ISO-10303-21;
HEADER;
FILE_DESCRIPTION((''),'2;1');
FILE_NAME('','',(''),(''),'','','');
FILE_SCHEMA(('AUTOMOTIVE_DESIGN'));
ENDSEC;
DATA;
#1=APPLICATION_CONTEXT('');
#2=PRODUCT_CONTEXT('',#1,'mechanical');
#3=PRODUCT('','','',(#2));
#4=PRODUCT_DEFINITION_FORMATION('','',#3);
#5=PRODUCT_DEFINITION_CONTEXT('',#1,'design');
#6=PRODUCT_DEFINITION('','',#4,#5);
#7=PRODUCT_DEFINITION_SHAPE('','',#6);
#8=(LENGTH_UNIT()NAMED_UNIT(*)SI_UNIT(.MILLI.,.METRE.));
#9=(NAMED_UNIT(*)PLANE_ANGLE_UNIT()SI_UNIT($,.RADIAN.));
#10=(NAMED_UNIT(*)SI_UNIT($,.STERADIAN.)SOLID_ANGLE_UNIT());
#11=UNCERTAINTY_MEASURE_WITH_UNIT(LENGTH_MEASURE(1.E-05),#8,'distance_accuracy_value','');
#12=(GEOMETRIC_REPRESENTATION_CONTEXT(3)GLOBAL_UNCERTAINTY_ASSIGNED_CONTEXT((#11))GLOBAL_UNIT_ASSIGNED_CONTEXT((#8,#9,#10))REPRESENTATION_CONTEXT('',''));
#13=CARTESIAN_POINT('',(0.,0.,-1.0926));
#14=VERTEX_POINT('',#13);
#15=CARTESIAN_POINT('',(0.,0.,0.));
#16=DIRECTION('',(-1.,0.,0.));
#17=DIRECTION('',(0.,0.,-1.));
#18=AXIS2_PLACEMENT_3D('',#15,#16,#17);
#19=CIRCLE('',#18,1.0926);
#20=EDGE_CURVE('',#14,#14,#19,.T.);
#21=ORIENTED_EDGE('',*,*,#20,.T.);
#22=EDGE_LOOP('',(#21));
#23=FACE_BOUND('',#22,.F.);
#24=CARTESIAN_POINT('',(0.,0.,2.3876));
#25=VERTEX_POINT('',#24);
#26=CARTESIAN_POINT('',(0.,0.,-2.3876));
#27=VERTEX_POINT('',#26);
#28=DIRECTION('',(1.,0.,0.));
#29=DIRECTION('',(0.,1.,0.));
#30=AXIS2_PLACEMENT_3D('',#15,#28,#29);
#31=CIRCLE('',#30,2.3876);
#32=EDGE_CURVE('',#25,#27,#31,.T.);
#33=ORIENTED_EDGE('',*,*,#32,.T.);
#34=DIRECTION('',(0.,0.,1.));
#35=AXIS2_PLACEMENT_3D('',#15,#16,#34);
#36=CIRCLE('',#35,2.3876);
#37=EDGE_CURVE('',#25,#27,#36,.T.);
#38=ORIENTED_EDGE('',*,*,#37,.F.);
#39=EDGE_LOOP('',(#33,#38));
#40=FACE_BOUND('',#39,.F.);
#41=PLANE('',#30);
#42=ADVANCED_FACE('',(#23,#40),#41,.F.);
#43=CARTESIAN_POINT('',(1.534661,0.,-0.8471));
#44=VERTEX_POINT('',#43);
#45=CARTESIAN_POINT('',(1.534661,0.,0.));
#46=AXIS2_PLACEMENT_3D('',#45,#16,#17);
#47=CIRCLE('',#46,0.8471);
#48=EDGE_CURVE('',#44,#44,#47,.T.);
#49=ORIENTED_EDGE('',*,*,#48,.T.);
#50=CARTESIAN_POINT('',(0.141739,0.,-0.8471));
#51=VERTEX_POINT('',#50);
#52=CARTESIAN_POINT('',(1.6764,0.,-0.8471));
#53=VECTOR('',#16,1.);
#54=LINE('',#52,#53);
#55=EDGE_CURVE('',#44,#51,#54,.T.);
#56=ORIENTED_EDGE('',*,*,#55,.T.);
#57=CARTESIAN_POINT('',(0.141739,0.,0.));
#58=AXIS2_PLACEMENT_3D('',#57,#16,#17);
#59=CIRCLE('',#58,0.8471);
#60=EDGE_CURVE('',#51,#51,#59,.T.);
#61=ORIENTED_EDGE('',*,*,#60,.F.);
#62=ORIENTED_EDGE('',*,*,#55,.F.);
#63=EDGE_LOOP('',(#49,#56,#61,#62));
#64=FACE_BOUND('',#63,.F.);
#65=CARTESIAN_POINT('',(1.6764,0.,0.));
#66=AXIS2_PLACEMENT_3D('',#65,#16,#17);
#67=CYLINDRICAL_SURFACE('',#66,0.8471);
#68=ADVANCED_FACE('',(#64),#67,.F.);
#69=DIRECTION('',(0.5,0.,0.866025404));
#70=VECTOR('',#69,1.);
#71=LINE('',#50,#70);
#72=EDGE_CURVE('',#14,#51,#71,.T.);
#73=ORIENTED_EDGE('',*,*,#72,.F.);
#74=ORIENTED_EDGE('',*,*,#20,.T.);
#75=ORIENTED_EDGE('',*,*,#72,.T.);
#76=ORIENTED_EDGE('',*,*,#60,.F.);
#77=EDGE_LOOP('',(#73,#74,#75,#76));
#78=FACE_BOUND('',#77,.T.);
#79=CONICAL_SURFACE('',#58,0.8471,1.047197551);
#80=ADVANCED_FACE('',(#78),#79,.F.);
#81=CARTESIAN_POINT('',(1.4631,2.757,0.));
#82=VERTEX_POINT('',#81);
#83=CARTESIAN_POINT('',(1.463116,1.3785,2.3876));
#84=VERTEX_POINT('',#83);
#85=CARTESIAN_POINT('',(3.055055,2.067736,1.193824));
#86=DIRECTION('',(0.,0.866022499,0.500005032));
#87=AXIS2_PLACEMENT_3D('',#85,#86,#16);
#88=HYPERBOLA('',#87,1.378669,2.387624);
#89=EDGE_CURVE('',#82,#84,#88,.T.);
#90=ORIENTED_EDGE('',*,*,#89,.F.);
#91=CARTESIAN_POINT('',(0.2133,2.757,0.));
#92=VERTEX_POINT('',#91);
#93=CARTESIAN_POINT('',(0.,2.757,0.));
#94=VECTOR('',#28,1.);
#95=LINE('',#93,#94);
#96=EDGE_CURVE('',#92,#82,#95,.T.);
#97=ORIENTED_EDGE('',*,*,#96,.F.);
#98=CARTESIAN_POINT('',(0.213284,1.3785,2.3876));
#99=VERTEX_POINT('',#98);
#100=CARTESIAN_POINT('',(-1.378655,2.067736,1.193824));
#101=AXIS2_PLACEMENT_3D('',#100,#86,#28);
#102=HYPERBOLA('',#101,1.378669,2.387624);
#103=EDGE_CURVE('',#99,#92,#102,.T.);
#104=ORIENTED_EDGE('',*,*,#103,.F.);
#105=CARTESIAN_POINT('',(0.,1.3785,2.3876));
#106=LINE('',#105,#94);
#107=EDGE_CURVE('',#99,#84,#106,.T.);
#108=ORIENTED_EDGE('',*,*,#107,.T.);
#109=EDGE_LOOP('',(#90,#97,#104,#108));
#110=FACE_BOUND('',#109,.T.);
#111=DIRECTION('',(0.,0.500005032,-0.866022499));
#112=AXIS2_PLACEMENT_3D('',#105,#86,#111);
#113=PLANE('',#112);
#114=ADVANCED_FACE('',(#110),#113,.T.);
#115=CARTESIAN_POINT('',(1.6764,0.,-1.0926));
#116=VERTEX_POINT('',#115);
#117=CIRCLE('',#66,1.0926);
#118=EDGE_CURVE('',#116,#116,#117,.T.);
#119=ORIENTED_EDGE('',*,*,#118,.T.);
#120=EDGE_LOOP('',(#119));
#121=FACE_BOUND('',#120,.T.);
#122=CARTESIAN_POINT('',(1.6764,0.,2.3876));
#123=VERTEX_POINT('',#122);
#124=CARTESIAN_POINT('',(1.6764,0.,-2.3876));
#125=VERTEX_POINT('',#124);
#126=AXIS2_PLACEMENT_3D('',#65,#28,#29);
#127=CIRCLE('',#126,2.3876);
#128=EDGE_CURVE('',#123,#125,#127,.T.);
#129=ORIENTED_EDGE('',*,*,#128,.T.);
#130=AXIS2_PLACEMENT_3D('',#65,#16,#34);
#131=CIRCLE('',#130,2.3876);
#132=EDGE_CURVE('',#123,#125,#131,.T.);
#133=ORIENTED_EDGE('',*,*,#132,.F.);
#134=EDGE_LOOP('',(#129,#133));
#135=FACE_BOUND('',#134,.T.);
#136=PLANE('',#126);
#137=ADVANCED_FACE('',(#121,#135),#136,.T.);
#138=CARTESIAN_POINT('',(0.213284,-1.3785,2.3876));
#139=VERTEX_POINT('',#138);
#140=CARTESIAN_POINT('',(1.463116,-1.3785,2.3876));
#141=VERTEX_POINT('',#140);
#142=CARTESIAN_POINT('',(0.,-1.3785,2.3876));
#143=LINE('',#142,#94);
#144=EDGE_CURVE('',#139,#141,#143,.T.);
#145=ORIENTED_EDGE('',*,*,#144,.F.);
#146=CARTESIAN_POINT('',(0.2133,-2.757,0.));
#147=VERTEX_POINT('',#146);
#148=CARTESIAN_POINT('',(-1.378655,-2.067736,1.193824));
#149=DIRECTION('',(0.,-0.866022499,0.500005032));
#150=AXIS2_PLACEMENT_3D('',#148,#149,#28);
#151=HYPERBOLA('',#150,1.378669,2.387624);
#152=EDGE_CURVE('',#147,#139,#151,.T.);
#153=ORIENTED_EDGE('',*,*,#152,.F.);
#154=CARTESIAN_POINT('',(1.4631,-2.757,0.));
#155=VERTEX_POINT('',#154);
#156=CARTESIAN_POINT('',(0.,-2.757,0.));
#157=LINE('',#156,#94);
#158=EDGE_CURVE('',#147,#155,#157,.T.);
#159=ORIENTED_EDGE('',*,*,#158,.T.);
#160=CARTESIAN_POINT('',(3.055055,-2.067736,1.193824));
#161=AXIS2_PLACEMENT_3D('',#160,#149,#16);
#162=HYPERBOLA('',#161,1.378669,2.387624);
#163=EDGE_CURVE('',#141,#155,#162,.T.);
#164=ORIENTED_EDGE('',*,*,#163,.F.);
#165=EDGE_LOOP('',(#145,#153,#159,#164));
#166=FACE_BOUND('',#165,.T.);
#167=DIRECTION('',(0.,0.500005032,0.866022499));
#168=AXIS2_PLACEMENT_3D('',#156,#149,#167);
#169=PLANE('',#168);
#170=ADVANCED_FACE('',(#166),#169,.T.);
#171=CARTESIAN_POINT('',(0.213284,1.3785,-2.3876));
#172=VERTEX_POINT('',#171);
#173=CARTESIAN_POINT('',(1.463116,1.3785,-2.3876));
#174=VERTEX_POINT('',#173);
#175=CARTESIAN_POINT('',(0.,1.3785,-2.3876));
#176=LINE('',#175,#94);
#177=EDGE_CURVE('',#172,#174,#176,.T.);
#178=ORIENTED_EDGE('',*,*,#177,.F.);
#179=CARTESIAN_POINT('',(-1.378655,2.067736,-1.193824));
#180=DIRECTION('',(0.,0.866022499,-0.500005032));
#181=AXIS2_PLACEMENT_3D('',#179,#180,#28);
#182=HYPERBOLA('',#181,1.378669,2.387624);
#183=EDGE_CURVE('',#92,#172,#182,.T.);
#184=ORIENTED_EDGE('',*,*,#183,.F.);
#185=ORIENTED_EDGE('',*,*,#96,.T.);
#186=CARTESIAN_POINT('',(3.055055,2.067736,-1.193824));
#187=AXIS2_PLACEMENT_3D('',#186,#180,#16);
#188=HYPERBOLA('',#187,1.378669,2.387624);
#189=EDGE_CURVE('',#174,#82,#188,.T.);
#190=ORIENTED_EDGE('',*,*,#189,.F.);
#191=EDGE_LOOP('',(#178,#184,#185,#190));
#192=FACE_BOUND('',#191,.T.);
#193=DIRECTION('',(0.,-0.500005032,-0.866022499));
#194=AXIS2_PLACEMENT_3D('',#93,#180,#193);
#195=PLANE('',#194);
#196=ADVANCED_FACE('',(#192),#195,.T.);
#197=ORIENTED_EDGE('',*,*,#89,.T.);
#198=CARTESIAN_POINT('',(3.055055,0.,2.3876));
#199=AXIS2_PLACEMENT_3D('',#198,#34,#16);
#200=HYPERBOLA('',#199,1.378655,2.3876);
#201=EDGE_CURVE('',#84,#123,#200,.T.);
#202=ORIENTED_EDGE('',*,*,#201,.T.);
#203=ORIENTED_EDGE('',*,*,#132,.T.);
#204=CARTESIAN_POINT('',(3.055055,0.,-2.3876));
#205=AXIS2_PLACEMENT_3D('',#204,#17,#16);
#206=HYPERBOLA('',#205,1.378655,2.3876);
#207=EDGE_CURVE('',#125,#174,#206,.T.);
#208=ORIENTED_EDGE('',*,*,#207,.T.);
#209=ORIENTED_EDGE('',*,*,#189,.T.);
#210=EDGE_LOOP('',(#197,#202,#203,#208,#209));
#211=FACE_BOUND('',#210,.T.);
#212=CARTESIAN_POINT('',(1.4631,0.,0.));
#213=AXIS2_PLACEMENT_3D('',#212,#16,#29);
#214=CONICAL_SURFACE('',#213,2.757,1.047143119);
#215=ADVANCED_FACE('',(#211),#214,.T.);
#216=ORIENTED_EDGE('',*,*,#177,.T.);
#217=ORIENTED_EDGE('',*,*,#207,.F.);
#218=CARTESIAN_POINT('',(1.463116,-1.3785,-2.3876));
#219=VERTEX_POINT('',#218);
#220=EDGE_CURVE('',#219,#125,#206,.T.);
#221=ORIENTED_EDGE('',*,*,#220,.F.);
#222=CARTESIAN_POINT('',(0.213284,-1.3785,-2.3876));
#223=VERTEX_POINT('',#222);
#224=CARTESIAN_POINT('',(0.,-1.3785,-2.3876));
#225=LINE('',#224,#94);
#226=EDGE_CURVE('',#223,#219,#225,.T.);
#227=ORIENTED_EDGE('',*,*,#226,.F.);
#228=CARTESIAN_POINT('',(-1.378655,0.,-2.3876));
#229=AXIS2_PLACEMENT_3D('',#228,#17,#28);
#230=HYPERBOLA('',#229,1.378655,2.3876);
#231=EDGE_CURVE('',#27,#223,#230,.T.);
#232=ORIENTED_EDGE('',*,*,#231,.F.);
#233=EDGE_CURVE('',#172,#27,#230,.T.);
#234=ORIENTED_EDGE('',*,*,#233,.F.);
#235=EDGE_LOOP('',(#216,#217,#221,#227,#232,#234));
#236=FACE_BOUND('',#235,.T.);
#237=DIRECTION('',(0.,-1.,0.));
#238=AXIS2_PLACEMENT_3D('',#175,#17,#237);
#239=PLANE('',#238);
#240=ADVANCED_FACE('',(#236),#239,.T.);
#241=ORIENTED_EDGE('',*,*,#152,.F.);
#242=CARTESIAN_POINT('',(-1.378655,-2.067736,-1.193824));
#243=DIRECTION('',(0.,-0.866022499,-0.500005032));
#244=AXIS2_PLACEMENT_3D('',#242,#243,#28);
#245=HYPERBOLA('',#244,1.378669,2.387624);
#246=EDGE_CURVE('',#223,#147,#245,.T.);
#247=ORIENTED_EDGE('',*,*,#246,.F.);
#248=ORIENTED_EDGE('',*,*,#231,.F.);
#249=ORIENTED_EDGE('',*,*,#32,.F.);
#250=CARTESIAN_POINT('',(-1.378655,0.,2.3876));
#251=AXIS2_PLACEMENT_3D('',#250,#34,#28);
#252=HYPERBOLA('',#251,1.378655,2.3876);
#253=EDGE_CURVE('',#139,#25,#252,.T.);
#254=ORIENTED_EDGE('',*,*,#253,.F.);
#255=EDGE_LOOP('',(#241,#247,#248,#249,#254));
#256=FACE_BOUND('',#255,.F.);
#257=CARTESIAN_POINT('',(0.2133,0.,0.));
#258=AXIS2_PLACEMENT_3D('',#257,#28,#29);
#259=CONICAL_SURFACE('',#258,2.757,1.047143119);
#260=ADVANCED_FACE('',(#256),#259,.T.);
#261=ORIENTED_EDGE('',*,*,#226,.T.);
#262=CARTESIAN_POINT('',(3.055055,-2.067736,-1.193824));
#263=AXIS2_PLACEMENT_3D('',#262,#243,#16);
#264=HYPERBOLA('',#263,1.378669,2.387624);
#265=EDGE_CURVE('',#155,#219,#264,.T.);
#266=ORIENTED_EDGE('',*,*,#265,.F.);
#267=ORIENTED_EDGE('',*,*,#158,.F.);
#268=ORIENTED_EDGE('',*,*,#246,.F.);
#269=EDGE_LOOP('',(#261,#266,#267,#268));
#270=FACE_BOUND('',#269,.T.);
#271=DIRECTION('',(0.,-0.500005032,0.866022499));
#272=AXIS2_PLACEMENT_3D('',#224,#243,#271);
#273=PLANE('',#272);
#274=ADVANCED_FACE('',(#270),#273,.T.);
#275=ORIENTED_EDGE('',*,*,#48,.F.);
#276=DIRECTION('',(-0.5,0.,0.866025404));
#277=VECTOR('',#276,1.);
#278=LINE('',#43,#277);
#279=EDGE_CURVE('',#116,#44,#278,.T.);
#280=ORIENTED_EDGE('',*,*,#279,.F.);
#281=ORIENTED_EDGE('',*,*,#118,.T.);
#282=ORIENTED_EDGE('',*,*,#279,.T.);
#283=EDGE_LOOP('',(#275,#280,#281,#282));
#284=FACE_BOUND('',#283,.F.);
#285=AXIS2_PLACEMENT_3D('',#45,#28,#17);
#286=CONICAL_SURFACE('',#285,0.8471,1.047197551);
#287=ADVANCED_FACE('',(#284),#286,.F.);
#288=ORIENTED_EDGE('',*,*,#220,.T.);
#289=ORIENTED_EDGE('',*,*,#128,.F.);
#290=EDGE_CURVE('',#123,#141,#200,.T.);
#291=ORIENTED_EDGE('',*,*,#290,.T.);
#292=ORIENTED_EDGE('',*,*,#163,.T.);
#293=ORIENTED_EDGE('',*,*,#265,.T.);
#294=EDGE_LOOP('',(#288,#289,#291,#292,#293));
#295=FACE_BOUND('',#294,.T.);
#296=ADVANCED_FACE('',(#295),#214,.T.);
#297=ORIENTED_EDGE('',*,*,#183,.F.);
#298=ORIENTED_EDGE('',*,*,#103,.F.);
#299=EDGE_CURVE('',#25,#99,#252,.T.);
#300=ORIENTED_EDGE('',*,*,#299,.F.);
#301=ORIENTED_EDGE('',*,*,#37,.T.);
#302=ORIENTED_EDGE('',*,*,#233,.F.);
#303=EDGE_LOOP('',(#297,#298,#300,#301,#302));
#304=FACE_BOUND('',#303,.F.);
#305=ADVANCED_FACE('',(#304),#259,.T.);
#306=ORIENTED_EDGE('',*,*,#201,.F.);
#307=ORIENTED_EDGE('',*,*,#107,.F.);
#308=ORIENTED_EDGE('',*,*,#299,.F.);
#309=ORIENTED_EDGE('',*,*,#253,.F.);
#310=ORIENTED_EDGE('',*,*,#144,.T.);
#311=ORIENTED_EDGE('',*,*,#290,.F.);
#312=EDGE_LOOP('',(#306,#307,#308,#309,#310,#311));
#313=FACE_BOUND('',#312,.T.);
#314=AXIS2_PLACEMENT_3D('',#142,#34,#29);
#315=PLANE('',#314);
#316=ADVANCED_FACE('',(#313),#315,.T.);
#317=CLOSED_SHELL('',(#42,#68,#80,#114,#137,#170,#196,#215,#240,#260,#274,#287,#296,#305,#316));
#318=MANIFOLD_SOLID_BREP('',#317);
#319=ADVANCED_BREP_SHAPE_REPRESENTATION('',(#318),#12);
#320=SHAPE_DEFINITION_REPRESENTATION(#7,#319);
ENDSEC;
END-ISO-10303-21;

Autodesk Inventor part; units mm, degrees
ref_plane "YZ Plane" through (0, 0, 0) normal (1, 0, 0) x (0, 1, 0)
ref_plane "XZ Plane" through (0, 0, 0) normal (0, 1, 0) x (-1, 0, 0)
sketch "Sketch1" plane through (0, 0, 0) normal (1, 0, 0) x (0, 1, 0)
  line L0 (-2.757, 0) -> (-1.3785, 2.3876)
  line L1 (-1.3785, 2.3876) -> (1.3785, 2.3876)
  line L2 (1.3785, 2.3876) -> (2.757, 0)
  line L3 (2.757, 0) -> (1.3785, -2.3876)
  line L4 (1.3785, -2.3876) -> (-1.3785, -2.3876)
  line L5 (-1.3785, -2.3876) -> (-2.757, 0)
  point P0 (0, 0)
  point P1 (0, 0)
  dimension "d0" = 5.5139
extrude "Body" add sketch "Sketch1" along normal blind 1.6764
sketch "Sketch2" plane through (0, 0, 0) normal (0, 0, 1) x (1, 0, 0)
  line L0 (0, 1.3785) -> (0, 2.757) projected
  line L1 (0, 2.757) -> (1.6764, 2.757) projected
  line L2 (1.6764, 1.3785) -> (1.6764, 2.757) projected
  line L3 (-0.3353, 0) -> (2.0117, 0) projected
  line L4 (0.2133, 2.757) -> (0, 2.3876)
  line L5 (1.4631, 2.757) -> (1.6764, 2.3876)
  dimension "d3" = 30
  dimension "d4" = 30
  dimension "d5" = 4.7752
  dimension "d6" = 4.7752
revolve "Chamfer1" cut sketch "Sketch2" angle 360 about axis through (-10, 0, 0) along (1, 0, 0)
sketch "Sketch3" plane through (1.6764, 0, 0) normal (1, 0, 0) x (0, 0, -1)
  arc A0 (-1.1938, -2.0677) -> (1.1938, -2.0677) centre (0, 0) ccw projected
hole "Thread" at (1.6764, 0, 0) direction (-1, 0, 0) diameter 1.6942 end through all thread size "2-56 UNC" class "2B" standard "ANSI Unified Screw Threads"
chamfer "Chamfer2" distance 0.2455 angle 30 1 edges at (1.6764, 0, 0.8471) measured on face at (1.6764, -1.8633, -0.034)
chamfer "Chamfer3" distance 0.2455 angle 30 1 edges at (0, 0, 0.8471) measured on face at (0, -1.8633, -0.034)
ref_plane "Work Plane1" through (-5.808, 0, 0) normal (0, -0.866, -0.5) x (1, 0, 0)
equation "\"d0\" = 1.1547 * SW"
equation "\"d1\" = KOH"
equation "\"d3\" = ANG1"
equation "\"d4\" = ANG2"
equation "\"d5\" = SW0"
equation "\"d6\" = SW01"
equation "\"d8\" = -0.5 * GD1 + 0.5 * NND"
equation "\"d40\" = -0.5 * GD1 + 0.5 * NND"
equation "\"d10\" = -0.5 * GD1 + 0.5 * NND"
equation "\"d41\" = -0.5 * GD1 + 0.5 * NND"
equation "\"ANG1\" = 30deg"
equation "\"ANG2\" = 30deg"
equation "\"NND\" = 2.1844"
equation "\"KOH\" = 1.6764"
equation "\"SW\" = 4.7752"
equation "\"SW0\" = SW"
equation "\"SW01\" = SW"
equation "\"THREADDIA\" = 2.1844"
equation "\"TOA\" = 30deg"
equation "\"E0\" = 1.155 * SW"
equation "\"GD1\" = 1.693395"
properties part number "ANSI B18.2.2 - 2 - 56, HMSNI" material "Steel, Mild"
